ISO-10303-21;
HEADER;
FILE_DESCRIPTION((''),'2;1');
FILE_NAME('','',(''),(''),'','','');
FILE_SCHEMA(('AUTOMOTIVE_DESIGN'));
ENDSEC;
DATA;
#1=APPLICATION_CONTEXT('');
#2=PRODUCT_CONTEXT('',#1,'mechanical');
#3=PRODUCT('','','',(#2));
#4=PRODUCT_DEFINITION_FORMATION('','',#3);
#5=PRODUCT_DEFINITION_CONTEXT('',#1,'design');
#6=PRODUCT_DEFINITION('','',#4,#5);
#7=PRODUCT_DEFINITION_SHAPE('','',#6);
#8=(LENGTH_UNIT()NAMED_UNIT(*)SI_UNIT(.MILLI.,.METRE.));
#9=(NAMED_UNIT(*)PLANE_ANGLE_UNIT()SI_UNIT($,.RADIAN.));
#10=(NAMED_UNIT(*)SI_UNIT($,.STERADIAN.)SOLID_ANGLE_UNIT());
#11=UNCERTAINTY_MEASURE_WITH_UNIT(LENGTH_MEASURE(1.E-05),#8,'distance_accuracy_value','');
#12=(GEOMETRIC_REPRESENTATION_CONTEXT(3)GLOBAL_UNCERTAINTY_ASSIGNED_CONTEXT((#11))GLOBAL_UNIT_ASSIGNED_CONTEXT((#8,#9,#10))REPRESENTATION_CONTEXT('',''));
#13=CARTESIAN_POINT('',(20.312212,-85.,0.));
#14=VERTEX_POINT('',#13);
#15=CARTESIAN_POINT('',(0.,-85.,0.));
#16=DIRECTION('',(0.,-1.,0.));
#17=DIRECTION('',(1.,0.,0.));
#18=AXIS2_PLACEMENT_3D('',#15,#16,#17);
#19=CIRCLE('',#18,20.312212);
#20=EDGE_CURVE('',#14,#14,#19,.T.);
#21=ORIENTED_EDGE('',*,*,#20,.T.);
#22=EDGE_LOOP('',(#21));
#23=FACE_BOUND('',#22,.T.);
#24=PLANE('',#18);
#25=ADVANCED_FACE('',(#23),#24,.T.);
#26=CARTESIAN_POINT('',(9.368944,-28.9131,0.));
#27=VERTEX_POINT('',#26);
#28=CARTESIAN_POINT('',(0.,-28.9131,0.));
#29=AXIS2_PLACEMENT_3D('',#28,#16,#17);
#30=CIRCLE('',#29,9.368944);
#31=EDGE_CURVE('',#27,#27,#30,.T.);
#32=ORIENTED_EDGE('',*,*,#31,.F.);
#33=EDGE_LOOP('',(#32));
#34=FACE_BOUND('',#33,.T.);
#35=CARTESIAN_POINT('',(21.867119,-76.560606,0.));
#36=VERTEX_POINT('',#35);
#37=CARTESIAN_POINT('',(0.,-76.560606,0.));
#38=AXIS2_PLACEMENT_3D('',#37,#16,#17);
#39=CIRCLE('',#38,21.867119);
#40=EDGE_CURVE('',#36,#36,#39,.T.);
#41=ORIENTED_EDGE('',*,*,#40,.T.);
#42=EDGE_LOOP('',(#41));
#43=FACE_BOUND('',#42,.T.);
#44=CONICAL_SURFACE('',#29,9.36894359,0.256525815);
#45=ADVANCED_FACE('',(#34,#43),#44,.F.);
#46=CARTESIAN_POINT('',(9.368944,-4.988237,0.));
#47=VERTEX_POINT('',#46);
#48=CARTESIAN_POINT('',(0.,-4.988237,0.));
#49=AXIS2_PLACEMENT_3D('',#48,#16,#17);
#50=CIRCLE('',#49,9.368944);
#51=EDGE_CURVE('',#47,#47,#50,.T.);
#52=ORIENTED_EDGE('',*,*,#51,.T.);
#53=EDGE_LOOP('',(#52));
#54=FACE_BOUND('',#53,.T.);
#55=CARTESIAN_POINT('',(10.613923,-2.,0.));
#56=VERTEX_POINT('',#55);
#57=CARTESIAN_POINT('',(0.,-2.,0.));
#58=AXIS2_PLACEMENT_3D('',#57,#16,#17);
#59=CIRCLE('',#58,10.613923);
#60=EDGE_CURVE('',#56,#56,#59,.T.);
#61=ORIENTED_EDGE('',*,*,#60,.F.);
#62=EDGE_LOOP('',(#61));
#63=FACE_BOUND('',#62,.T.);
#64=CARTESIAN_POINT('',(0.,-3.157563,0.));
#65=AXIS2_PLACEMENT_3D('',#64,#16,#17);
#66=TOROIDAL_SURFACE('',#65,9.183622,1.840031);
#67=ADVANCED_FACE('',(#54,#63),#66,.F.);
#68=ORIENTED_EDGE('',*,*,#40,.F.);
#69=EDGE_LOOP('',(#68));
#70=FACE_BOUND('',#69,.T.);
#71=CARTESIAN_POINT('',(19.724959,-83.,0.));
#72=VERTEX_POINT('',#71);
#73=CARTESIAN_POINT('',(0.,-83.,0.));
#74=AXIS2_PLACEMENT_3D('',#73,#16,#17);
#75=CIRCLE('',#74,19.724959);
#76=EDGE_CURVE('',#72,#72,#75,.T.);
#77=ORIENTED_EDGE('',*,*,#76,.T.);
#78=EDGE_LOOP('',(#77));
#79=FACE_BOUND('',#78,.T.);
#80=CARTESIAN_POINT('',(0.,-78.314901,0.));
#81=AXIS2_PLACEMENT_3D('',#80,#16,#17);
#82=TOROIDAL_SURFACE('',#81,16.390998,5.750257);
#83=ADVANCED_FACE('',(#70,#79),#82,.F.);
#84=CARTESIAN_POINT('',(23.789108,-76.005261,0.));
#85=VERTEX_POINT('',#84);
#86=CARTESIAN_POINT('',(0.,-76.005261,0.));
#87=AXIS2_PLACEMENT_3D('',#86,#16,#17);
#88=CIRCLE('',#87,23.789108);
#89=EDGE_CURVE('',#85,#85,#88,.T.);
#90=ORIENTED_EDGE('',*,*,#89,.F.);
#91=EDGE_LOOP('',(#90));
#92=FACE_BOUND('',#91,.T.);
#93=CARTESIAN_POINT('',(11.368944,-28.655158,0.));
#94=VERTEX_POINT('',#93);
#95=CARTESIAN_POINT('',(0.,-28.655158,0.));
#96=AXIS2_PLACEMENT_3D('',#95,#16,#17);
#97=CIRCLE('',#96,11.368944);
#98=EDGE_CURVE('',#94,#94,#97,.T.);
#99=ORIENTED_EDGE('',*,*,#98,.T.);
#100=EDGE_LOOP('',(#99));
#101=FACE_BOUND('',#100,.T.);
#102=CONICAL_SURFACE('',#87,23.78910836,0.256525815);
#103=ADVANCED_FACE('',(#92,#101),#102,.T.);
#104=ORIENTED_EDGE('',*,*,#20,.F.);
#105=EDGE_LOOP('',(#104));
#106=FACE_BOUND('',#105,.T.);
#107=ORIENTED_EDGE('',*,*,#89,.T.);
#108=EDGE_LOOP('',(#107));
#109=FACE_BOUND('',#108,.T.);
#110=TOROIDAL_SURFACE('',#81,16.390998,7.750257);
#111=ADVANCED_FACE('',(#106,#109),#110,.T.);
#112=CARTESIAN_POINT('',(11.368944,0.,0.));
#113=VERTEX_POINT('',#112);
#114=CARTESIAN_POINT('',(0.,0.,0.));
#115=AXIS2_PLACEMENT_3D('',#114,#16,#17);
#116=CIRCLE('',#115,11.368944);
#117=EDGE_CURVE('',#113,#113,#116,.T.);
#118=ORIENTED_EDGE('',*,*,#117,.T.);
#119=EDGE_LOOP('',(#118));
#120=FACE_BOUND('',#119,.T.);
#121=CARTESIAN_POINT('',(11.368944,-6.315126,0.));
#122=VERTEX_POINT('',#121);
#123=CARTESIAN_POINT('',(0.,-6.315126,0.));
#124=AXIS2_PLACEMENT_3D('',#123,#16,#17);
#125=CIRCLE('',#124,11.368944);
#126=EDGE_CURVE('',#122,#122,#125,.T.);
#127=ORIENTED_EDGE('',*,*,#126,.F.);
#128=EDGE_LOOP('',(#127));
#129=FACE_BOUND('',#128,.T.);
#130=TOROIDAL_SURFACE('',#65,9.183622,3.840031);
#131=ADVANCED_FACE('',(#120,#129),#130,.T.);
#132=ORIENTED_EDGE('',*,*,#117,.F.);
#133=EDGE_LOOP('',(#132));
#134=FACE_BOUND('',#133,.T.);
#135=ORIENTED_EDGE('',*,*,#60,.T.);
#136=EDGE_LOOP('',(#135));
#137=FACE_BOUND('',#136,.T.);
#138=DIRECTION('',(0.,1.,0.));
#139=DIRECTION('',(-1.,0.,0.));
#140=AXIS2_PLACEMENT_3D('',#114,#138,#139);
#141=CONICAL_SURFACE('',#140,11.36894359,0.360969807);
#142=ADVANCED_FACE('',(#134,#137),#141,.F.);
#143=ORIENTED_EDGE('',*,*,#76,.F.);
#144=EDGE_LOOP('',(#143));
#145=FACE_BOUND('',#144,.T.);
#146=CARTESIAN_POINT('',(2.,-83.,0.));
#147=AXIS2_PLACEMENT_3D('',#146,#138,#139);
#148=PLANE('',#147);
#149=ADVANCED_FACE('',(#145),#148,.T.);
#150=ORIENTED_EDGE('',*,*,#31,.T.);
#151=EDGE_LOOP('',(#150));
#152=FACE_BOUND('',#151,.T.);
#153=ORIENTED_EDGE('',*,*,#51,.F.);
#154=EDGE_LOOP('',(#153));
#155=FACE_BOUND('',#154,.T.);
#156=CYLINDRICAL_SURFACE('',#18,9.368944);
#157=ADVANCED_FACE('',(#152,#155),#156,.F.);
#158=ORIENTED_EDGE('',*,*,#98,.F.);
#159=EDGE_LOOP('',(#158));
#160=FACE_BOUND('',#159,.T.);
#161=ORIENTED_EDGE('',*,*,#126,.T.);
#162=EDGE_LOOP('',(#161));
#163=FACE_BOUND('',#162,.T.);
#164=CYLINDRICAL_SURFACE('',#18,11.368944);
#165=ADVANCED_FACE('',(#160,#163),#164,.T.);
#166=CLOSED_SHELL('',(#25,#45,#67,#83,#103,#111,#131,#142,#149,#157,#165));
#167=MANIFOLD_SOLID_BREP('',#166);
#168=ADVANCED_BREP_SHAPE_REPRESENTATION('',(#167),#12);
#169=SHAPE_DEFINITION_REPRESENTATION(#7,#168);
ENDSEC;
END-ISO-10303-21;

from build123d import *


with BuildPart() as part:
    # Sketch1 → Revolve1 (revolve)
    with BuildSketch(Plane.XY):
        with BuildLine():
            Line((11.36894359, -6.315125633), (11.36894359, -28.655158183))
            Line((11.36894359, -28.655158183), (23.78910836, -76.005260823))
            ThreePointArc((23.78910836, -76.005260823), (23.619975063, -81.109245479), (20.312212269, -85))
            Line((20.312212269, -85), (0, -85))
            Line((0, -85), (0, -83))
            Line((0, -83), (2, -83))
            Line((2, -83), (19.724958515, -83))
            ThreePointArc((19.724958515, -83), (21.847263271, -80.130008508), (21.867118705, -76.560605981))
            Line((21.867118705, -76.560605981), (9.36894359, -28.913100051))
            Line((9.36894359, -28.913100051), (9.36894359, -4.98823705))
            ThreePointArc((9.36894359, -4.98823705), (10.882135633, -3.865208891), (10.61392266, -2))
            Line((10.61392266, -2), (11.36894359, 0))
            ThreePointArc((11.36894359, 0), (13.023652288, -3.157562817), (11.36894359, -6.315125633))
        make_face()
    revolve(axis=Axis((0, -85, 0), (0, 1, 0)))


solid = part.part
